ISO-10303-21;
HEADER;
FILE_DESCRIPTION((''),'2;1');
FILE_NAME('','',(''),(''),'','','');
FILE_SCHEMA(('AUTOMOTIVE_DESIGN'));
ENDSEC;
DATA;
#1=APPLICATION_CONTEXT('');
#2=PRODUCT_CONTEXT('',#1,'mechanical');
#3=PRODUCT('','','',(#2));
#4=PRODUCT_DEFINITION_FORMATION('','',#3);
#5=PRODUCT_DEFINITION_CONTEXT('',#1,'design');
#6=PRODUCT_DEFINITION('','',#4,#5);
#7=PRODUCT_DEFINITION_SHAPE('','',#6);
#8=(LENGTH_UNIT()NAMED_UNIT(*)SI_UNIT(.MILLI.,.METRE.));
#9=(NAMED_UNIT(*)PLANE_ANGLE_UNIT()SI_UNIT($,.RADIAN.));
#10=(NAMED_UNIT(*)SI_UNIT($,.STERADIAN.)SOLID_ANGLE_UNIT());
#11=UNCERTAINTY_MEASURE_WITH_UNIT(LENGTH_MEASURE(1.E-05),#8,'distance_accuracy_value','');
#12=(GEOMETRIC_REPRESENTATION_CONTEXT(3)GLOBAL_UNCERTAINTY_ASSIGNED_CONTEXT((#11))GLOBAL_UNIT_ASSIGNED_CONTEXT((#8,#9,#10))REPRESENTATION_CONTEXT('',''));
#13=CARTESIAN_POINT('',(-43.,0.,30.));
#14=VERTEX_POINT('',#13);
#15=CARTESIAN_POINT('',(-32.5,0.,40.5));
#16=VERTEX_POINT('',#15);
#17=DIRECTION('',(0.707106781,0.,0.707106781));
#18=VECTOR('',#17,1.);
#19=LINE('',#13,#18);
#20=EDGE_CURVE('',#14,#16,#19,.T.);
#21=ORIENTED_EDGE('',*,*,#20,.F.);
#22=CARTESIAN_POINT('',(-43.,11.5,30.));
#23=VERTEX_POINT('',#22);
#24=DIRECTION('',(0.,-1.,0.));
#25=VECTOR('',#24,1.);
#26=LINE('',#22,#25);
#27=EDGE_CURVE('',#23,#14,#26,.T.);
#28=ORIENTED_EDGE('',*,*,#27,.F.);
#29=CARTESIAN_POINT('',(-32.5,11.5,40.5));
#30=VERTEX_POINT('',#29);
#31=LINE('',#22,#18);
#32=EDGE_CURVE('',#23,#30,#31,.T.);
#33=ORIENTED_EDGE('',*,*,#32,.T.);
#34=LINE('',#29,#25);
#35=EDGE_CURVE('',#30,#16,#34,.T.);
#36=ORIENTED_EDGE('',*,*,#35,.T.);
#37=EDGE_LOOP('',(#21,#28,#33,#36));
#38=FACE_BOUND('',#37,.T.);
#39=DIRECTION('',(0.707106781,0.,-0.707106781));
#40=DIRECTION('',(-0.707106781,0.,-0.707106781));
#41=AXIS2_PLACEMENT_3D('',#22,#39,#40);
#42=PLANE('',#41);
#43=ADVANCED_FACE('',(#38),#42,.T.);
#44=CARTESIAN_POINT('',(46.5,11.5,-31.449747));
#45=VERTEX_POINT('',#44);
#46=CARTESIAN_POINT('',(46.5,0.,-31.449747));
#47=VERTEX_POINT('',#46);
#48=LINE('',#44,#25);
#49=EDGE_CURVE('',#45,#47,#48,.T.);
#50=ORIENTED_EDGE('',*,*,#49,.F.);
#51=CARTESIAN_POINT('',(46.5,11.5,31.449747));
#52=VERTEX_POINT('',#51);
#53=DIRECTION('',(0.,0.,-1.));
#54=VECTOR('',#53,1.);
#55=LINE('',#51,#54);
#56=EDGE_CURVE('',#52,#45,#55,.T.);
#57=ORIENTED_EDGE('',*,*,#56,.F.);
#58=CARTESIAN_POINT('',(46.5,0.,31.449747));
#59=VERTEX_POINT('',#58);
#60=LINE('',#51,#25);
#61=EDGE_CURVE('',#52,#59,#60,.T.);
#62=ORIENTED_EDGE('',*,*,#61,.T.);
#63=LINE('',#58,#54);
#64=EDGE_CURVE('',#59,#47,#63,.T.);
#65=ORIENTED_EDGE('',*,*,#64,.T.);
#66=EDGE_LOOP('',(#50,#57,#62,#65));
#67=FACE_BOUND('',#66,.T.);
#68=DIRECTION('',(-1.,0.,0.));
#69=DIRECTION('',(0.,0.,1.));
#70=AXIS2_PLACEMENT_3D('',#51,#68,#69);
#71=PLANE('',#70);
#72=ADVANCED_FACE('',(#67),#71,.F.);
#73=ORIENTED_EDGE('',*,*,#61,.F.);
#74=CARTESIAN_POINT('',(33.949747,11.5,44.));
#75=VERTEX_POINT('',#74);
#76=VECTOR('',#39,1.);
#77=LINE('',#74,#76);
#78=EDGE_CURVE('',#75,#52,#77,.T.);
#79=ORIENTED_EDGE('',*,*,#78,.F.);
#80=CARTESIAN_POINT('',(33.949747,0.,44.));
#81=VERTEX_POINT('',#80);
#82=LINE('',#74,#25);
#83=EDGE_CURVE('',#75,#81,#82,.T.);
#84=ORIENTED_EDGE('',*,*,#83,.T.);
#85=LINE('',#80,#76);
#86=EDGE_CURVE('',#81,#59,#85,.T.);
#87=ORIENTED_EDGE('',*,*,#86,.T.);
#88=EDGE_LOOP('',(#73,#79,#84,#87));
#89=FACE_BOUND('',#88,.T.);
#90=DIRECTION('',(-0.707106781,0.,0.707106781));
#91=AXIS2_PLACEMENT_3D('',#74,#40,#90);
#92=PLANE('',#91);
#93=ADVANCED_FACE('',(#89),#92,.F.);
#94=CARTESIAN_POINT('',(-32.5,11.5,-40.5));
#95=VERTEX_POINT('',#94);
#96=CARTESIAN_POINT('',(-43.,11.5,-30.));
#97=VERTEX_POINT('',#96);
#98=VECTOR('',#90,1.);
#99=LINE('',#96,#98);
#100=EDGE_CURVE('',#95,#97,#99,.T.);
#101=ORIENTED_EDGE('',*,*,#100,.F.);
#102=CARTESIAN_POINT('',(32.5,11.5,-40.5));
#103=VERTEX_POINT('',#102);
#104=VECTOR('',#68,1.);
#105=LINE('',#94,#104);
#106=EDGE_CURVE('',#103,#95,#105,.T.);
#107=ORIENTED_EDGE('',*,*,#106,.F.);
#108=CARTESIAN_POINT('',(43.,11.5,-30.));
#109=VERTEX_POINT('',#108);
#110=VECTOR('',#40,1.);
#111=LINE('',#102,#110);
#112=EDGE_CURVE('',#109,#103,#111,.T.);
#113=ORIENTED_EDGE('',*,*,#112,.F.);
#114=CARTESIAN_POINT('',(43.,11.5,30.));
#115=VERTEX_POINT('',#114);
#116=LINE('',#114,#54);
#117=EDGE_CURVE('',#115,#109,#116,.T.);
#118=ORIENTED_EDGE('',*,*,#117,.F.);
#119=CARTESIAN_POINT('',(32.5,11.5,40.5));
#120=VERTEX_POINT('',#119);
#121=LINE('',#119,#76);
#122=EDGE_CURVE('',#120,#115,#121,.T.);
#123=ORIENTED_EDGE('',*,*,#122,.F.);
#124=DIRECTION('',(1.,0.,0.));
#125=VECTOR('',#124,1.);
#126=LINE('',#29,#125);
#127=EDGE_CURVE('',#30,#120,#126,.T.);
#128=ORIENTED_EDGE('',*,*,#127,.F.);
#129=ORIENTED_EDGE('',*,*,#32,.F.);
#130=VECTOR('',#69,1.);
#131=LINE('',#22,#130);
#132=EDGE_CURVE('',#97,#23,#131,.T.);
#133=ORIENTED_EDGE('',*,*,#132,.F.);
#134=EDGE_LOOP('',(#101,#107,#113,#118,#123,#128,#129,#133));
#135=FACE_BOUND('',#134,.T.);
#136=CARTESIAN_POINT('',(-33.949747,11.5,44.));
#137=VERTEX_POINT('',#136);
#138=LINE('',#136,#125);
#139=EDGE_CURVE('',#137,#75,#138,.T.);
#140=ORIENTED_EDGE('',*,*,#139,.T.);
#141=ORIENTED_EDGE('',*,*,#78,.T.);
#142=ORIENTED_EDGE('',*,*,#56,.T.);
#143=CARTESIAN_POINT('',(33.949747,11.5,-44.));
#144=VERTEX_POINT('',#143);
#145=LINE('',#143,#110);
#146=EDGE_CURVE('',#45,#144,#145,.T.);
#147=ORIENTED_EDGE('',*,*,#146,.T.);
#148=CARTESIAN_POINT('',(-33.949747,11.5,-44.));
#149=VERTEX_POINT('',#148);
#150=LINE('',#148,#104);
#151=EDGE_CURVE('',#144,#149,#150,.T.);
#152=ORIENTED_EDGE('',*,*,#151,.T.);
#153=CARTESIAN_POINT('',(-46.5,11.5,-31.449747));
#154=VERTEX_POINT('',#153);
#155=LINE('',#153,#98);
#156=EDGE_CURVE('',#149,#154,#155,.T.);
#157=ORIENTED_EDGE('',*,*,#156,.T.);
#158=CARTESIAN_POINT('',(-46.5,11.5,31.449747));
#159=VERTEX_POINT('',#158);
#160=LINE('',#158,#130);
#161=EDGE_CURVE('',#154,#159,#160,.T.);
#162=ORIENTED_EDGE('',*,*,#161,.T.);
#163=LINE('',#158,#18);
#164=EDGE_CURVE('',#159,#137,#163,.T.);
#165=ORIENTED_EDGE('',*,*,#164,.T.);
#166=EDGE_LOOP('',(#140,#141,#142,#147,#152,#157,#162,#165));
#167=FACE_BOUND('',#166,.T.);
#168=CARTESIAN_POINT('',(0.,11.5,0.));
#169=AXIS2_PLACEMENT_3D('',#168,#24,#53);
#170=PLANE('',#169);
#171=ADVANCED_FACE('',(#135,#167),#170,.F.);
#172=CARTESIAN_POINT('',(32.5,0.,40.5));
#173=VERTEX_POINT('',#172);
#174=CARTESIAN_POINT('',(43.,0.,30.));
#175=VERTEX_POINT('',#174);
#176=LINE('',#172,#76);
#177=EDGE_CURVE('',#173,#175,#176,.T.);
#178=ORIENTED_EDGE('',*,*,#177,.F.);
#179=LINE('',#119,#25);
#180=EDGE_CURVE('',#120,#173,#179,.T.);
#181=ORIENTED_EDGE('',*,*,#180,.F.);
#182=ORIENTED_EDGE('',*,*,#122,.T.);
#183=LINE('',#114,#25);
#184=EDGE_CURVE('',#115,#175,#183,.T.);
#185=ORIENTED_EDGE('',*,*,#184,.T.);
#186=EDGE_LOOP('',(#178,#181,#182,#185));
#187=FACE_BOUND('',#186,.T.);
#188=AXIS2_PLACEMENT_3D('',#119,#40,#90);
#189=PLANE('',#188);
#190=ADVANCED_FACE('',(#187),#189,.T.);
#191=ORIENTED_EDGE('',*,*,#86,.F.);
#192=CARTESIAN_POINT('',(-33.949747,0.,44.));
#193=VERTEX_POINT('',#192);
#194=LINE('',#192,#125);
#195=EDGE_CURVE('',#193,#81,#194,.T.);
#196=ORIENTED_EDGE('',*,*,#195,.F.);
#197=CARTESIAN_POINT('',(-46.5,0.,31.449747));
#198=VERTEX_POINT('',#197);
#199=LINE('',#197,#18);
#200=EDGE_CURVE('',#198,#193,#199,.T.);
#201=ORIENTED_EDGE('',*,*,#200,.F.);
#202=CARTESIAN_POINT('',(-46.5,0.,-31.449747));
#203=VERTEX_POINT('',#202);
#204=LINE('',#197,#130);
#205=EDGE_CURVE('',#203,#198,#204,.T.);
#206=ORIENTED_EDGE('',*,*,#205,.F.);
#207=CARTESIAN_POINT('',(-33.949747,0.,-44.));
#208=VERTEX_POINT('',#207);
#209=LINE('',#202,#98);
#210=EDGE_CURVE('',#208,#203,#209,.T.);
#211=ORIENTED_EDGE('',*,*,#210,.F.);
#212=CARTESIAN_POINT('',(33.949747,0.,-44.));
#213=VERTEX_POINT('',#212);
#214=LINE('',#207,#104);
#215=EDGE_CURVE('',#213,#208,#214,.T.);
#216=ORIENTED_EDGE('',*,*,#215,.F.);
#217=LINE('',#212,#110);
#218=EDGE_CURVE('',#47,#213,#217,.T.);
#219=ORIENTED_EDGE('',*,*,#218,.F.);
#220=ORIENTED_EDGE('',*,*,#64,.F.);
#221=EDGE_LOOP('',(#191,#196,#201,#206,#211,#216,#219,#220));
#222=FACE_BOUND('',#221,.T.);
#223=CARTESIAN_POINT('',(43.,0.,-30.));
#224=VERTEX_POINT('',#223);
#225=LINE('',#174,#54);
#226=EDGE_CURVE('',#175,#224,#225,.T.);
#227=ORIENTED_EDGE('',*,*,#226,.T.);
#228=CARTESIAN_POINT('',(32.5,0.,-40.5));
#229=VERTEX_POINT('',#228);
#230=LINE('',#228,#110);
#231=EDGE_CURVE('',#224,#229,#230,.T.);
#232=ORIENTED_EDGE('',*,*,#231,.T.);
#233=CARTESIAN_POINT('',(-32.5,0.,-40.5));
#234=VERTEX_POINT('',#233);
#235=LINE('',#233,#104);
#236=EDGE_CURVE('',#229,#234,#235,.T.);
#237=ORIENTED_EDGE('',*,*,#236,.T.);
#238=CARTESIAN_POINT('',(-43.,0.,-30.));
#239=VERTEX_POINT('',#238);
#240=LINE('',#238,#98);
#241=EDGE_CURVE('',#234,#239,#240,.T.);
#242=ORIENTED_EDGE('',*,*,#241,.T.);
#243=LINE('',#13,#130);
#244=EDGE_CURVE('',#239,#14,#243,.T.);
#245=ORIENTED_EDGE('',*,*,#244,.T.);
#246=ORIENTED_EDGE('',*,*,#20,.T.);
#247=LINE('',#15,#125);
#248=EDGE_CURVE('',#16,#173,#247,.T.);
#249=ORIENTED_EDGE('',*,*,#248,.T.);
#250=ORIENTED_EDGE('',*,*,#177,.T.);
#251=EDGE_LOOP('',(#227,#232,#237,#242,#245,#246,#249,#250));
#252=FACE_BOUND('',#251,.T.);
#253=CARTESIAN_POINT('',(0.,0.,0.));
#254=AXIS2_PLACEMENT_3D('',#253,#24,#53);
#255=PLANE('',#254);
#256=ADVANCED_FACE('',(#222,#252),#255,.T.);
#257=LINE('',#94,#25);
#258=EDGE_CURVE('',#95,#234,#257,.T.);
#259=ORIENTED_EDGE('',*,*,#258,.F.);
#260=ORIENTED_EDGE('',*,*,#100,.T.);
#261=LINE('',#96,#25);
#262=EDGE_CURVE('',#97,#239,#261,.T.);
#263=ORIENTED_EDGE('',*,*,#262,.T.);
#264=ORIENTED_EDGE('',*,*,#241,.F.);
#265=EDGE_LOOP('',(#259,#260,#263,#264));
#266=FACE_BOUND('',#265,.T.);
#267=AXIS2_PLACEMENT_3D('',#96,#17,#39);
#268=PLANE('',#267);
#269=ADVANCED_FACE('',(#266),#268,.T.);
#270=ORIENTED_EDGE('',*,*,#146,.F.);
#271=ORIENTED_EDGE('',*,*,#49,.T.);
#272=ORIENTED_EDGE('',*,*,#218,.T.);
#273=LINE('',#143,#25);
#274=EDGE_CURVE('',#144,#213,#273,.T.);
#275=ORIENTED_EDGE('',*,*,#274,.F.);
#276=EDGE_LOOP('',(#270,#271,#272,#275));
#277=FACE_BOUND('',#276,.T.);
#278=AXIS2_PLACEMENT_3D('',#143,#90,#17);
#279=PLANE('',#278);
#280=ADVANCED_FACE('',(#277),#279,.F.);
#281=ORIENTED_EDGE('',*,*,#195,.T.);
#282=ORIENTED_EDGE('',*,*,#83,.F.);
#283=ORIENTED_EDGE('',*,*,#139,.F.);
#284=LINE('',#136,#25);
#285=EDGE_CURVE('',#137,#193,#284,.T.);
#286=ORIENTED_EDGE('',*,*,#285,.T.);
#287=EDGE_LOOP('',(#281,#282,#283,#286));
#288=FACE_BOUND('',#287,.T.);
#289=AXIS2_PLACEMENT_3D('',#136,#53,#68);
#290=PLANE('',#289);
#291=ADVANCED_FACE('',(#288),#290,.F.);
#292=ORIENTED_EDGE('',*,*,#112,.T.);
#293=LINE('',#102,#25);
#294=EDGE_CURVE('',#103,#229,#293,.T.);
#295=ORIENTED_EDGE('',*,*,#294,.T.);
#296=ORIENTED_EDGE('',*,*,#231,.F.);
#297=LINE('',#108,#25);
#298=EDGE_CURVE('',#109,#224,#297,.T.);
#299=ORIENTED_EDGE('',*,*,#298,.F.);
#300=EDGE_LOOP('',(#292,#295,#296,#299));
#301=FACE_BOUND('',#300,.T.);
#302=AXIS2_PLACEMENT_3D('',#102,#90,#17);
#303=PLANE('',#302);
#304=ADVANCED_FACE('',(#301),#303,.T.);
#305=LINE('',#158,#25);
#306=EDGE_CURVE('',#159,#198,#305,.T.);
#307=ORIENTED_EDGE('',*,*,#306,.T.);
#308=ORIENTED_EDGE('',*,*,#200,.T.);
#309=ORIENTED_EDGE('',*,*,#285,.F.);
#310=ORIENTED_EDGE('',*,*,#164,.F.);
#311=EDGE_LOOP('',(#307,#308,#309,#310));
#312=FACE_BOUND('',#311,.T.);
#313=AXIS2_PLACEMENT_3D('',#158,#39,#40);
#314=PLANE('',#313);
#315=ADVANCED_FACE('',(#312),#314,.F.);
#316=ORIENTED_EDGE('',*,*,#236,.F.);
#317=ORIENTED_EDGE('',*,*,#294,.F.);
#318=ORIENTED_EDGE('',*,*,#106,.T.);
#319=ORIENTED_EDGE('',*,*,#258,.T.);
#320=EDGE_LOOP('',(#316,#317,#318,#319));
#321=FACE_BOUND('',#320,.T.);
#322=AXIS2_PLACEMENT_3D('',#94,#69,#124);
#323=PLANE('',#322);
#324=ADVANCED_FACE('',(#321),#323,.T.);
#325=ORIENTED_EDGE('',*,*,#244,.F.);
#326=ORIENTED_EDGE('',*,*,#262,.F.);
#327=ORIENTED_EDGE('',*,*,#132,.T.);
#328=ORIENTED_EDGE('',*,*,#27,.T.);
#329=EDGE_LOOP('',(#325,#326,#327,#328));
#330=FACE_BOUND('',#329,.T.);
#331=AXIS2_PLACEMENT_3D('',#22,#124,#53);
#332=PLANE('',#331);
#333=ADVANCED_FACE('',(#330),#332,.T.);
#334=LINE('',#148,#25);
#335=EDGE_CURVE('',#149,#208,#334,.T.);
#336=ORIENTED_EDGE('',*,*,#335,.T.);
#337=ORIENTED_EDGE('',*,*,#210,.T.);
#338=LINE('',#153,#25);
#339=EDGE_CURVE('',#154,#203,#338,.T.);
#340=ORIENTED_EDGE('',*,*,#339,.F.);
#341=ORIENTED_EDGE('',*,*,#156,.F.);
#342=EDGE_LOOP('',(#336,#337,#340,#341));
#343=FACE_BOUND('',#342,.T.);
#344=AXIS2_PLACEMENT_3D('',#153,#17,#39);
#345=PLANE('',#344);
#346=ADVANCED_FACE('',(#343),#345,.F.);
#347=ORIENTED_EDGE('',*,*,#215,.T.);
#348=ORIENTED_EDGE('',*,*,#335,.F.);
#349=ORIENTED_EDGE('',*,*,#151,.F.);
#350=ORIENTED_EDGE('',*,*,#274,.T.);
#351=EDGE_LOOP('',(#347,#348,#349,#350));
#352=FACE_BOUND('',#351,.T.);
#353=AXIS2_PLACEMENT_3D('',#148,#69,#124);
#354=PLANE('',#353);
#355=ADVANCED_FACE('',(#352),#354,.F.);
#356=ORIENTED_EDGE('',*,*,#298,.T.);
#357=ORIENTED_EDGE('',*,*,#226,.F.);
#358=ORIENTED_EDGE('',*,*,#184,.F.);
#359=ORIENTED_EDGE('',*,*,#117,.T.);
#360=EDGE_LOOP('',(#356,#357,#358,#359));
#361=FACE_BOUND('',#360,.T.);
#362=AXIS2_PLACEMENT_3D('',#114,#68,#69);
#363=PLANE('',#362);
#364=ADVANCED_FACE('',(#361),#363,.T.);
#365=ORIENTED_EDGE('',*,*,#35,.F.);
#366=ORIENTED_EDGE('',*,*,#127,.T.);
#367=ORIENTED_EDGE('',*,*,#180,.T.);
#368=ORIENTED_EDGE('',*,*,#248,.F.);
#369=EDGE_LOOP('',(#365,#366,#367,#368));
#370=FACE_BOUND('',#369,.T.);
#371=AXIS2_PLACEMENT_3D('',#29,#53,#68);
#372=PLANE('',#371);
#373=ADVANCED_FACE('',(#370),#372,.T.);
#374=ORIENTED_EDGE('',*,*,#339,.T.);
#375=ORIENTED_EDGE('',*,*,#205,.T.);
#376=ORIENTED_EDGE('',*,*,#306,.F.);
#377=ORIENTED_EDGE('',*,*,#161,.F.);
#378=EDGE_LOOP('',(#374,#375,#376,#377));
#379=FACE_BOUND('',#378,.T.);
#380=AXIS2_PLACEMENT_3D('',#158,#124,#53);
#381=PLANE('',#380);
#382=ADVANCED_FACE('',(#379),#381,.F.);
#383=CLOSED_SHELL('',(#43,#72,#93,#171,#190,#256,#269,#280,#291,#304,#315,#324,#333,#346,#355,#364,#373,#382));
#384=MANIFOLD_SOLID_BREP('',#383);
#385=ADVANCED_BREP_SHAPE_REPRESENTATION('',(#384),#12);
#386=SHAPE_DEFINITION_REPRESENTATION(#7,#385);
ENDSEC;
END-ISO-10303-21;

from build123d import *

# Parameters (mm, degrees)
BOSS_EXTRUDE1_DEPTH = 11.5


with BuildPart() as part:
    # Sketch1 → Boss-Extrude1 (new body)
    with BuildSketch(Plane(origin=(0, 0, 0), x_dir=(1, 0, 0), z_dir=(0, 1, 0))):
        Polygon((-46.5, 31.449747468), (-33.949747468, 44), (33.949747468, 44), (46.5, 31.449747468), (46.5, -31.449747468), (33.949747468, -44), (-33.949747468, -44), (-46.5, -31.449747468), align=None)
        Polygon((-43, 30), (-32.5, 40.5), (32.5, 40.5), (43, 30), (43, -30), (32.5, -40.5), (-32.5, -40.5), (-43, -30), align=None, mode=Mode.SUBTRACT)
    extrude(amount=BOSS_EXTRUDE1_DEPTH)


solid = part.part
